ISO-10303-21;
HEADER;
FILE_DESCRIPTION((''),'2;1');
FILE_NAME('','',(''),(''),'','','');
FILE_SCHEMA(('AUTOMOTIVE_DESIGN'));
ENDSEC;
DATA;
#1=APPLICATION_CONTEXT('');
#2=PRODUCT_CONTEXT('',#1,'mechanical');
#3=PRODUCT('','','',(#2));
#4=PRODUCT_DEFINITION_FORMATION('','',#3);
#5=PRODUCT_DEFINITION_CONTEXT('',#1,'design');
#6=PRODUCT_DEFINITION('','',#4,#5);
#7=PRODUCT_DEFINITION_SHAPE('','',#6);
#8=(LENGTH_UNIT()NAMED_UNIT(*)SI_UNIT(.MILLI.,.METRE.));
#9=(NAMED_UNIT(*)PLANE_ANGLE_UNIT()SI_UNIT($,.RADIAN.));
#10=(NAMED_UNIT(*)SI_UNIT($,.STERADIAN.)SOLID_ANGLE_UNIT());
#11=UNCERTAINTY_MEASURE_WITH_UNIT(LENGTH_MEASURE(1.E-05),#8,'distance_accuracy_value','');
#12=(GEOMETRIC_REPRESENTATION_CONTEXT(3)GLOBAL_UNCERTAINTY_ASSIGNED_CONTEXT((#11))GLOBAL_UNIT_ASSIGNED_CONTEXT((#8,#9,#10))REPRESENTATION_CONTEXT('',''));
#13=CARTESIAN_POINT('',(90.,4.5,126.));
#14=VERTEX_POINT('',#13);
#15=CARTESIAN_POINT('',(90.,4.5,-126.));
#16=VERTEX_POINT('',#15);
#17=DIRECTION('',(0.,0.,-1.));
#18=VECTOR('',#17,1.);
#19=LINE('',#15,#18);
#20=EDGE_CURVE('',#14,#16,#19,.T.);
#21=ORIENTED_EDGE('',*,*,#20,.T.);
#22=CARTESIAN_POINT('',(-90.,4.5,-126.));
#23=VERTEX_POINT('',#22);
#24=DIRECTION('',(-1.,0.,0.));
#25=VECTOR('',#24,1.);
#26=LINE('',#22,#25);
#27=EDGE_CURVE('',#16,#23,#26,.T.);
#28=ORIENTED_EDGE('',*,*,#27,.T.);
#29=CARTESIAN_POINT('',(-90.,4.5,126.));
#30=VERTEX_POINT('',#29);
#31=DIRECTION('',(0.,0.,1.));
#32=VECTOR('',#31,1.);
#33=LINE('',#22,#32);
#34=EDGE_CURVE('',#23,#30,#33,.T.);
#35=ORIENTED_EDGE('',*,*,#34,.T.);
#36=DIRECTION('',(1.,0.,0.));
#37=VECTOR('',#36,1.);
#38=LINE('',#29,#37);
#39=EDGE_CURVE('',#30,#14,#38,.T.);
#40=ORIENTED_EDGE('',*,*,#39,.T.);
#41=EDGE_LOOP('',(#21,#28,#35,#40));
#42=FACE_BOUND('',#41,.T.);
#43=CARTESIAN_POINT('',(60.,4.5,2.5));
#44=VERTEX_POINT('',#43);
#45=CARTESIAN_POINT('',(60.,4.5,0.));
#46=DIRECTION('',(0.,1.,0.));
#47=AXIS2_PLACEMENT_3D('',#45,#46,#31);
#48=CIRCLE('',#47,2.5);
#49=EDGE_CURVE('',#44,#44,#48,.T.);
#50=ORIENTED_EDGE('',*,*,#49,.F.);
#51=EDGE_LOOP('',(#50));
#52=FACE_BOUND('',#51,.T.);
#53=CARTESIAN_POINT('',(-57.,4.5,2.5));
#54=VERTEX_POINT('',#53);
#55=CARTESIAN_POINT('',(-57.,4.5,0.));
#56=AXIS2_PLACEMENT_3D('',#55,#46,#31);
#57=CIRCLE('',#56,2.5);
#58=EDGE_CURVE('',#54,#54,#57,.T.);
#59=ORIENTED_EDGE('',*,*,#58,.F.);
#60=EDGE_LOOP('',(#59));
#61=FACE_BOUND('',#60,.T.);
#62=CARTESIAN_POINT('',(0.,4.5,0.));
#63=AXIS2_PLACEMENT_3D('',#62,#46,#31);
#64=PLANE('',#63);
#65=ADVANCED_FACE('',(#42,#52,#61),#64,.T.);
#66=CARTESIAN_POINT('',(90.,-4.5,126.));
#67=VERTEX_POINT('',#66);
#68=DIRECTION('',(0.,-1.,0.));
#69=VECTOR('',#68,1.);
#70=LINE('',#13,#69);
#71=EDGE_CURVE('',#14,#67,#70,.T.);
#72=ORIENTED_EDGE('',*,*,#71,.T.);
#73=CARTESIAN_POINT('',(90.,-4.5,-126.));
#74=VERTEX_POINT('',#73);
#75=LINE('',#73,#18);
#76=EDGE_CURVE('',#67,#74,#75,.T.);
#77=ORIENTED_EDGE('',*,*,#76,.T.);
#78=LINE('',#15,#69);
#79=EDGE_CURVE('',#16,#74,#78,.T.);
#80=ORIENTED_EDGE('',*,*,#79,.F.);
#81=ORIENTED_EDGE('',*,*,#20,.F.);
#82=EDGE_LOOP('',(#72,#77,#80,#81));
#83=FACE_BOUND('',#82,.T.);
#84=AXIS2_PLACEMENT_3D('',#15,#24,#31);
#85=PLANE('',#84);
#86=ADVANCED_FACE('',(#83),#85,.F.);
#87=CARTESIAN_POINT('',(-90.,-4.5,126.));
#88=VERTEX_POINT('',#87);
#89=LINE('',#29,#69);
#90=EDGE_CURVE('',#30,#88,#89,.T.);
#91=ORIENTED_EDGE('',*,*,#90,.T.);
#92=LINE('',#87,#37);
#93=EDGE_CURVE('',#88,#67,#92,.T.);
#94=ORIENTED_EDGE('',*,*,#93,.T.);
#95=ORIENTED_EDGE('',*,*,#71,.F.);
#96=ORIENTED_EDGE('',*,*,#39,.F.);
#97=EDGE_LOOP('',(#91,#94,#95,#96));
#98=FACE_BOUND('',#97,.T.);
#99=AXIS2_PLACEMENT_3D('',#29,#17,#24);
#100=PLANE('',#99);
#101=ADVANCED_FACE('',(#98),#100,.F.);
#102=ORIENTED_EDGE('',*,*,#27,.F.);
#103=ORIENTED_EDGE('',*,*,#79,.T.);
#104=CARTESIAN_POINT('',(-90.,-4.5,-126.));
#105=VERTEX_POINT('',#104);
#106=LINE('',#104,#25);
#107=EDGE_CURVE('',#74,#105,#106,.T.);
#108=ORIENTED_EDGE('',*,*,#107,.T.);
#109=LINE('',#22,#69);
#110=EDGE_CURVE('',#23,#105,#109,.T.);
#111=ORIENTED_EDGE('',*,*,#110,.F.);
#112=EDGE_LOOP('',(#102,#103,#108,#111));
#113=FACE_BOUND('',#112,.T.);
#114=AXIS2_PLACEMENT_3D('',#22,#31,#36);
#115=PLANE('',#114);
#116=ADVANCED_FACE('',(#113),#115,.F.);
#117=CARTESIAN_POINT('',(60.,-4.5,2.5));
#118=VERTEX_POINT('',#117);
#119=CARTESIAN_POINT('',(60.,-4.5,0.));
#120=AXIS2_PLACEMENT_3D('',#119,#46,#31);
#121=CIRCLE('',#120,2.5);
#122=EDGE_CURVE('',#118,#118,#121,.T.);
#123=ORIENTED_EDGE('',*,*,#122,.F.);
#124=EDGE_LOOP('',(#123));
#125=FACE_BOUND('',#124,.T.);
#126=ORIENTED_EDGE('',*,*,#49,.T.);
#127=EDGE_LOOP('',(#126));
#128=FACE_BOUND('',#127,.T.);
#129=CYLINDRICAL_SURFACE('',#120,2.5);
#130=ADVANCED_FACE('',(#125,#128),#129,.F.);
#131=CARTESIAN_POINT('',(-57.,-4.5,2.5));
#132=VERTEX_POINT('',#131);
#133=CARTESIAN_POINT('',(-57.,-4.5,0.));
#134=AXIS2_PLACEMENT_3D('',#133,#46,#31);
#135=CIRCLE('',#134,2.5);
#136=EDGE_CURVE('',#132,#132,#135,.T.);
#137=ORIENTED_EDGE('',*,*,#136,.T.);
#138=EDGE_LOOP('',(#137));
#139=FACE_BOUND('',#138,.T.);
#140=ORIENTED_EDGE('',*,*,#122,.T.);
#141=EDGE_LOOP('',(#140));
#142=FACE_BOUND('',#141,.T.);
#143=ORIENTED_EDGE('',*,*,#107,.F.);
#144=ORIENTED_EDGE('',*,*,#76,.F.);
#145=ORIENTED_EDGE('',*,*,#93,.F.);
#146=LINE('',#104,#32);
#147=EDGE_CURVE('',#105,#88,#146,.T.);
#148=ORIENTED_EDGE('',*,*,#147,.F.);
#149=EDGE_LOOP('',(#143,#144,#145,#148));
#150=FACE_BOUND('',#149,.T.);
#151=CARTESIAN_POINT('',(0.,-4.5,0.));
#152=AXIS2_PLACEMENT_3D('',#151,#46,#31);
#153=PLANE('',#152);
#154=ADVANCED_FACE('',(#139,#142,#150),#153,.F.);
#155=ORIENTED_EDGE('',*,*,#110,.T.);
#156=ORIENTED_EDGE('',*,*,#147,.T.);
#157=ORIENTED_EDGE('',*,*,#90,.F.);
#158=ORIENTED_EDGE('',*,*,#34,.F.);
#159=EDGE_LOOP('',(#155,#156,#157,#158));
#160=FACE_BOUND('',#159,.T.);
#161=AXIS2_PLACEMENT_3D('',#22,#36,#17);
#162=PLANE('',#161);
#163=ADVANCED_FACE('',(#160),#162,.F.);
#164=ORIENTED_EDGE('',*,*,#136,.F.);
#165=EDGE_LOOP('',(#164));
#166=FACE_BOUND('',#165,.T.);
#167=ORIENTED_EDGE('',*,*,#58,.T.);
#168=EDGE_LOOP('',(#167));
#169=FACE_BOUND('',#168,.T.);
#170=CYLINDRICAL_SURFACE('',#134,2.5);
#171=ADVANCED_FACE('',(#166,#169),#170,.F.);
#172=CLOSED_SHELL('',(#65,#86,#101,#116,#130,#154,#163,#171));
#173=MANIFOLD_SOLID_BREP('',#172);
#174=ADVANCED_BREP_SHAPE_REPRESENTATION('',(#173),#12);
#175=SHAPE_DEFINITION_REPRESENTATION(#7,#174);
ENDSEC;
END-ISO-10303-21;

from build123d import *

# Parameters (mm, degrees)
SKETCH1_W           = 180
SKETCH1_H           = 252
BOSS_EXTRUDE1_DEPTH = 4.5
SKETCH2_R           = 2.5
CUT_EXTRUDE1_DEPTH  = 156.103191457


with BuildPart() as part:
    # Sketch1 → Boss-Extrude1 (new, symmetric)
    with BuildSketch(Plane(origin=(0, 0, 0), x_dir=(1, 0, 0), z_dir=(0, 1, 0))):
        Rectangle(SKETCH1_W, SKETCH1_H)
    extrude(amount=BOSS_EXTRUDE1_DEPTH, both=True)

    # Sketch2 → Cut-Extrude1 (cut, through all)
    with BuildSketch(Plane(origin=(0, 4.5, 0), x_dir=(1, 0, 0), z_dir=(0, 1, 0))):
        with Locations(Location((60, 0, 0), (0, 0, 270))):
            Circle(SKETCH2_R)
        with Locations(Location((-57, 0, 0), (0, 0, 270))):
            Circle(SKETCH2_R)
    extrude(amount=-CUT_EXTRUDE1_DEPTH, mode=Mode.SUBTRACT)


solid = part.part
